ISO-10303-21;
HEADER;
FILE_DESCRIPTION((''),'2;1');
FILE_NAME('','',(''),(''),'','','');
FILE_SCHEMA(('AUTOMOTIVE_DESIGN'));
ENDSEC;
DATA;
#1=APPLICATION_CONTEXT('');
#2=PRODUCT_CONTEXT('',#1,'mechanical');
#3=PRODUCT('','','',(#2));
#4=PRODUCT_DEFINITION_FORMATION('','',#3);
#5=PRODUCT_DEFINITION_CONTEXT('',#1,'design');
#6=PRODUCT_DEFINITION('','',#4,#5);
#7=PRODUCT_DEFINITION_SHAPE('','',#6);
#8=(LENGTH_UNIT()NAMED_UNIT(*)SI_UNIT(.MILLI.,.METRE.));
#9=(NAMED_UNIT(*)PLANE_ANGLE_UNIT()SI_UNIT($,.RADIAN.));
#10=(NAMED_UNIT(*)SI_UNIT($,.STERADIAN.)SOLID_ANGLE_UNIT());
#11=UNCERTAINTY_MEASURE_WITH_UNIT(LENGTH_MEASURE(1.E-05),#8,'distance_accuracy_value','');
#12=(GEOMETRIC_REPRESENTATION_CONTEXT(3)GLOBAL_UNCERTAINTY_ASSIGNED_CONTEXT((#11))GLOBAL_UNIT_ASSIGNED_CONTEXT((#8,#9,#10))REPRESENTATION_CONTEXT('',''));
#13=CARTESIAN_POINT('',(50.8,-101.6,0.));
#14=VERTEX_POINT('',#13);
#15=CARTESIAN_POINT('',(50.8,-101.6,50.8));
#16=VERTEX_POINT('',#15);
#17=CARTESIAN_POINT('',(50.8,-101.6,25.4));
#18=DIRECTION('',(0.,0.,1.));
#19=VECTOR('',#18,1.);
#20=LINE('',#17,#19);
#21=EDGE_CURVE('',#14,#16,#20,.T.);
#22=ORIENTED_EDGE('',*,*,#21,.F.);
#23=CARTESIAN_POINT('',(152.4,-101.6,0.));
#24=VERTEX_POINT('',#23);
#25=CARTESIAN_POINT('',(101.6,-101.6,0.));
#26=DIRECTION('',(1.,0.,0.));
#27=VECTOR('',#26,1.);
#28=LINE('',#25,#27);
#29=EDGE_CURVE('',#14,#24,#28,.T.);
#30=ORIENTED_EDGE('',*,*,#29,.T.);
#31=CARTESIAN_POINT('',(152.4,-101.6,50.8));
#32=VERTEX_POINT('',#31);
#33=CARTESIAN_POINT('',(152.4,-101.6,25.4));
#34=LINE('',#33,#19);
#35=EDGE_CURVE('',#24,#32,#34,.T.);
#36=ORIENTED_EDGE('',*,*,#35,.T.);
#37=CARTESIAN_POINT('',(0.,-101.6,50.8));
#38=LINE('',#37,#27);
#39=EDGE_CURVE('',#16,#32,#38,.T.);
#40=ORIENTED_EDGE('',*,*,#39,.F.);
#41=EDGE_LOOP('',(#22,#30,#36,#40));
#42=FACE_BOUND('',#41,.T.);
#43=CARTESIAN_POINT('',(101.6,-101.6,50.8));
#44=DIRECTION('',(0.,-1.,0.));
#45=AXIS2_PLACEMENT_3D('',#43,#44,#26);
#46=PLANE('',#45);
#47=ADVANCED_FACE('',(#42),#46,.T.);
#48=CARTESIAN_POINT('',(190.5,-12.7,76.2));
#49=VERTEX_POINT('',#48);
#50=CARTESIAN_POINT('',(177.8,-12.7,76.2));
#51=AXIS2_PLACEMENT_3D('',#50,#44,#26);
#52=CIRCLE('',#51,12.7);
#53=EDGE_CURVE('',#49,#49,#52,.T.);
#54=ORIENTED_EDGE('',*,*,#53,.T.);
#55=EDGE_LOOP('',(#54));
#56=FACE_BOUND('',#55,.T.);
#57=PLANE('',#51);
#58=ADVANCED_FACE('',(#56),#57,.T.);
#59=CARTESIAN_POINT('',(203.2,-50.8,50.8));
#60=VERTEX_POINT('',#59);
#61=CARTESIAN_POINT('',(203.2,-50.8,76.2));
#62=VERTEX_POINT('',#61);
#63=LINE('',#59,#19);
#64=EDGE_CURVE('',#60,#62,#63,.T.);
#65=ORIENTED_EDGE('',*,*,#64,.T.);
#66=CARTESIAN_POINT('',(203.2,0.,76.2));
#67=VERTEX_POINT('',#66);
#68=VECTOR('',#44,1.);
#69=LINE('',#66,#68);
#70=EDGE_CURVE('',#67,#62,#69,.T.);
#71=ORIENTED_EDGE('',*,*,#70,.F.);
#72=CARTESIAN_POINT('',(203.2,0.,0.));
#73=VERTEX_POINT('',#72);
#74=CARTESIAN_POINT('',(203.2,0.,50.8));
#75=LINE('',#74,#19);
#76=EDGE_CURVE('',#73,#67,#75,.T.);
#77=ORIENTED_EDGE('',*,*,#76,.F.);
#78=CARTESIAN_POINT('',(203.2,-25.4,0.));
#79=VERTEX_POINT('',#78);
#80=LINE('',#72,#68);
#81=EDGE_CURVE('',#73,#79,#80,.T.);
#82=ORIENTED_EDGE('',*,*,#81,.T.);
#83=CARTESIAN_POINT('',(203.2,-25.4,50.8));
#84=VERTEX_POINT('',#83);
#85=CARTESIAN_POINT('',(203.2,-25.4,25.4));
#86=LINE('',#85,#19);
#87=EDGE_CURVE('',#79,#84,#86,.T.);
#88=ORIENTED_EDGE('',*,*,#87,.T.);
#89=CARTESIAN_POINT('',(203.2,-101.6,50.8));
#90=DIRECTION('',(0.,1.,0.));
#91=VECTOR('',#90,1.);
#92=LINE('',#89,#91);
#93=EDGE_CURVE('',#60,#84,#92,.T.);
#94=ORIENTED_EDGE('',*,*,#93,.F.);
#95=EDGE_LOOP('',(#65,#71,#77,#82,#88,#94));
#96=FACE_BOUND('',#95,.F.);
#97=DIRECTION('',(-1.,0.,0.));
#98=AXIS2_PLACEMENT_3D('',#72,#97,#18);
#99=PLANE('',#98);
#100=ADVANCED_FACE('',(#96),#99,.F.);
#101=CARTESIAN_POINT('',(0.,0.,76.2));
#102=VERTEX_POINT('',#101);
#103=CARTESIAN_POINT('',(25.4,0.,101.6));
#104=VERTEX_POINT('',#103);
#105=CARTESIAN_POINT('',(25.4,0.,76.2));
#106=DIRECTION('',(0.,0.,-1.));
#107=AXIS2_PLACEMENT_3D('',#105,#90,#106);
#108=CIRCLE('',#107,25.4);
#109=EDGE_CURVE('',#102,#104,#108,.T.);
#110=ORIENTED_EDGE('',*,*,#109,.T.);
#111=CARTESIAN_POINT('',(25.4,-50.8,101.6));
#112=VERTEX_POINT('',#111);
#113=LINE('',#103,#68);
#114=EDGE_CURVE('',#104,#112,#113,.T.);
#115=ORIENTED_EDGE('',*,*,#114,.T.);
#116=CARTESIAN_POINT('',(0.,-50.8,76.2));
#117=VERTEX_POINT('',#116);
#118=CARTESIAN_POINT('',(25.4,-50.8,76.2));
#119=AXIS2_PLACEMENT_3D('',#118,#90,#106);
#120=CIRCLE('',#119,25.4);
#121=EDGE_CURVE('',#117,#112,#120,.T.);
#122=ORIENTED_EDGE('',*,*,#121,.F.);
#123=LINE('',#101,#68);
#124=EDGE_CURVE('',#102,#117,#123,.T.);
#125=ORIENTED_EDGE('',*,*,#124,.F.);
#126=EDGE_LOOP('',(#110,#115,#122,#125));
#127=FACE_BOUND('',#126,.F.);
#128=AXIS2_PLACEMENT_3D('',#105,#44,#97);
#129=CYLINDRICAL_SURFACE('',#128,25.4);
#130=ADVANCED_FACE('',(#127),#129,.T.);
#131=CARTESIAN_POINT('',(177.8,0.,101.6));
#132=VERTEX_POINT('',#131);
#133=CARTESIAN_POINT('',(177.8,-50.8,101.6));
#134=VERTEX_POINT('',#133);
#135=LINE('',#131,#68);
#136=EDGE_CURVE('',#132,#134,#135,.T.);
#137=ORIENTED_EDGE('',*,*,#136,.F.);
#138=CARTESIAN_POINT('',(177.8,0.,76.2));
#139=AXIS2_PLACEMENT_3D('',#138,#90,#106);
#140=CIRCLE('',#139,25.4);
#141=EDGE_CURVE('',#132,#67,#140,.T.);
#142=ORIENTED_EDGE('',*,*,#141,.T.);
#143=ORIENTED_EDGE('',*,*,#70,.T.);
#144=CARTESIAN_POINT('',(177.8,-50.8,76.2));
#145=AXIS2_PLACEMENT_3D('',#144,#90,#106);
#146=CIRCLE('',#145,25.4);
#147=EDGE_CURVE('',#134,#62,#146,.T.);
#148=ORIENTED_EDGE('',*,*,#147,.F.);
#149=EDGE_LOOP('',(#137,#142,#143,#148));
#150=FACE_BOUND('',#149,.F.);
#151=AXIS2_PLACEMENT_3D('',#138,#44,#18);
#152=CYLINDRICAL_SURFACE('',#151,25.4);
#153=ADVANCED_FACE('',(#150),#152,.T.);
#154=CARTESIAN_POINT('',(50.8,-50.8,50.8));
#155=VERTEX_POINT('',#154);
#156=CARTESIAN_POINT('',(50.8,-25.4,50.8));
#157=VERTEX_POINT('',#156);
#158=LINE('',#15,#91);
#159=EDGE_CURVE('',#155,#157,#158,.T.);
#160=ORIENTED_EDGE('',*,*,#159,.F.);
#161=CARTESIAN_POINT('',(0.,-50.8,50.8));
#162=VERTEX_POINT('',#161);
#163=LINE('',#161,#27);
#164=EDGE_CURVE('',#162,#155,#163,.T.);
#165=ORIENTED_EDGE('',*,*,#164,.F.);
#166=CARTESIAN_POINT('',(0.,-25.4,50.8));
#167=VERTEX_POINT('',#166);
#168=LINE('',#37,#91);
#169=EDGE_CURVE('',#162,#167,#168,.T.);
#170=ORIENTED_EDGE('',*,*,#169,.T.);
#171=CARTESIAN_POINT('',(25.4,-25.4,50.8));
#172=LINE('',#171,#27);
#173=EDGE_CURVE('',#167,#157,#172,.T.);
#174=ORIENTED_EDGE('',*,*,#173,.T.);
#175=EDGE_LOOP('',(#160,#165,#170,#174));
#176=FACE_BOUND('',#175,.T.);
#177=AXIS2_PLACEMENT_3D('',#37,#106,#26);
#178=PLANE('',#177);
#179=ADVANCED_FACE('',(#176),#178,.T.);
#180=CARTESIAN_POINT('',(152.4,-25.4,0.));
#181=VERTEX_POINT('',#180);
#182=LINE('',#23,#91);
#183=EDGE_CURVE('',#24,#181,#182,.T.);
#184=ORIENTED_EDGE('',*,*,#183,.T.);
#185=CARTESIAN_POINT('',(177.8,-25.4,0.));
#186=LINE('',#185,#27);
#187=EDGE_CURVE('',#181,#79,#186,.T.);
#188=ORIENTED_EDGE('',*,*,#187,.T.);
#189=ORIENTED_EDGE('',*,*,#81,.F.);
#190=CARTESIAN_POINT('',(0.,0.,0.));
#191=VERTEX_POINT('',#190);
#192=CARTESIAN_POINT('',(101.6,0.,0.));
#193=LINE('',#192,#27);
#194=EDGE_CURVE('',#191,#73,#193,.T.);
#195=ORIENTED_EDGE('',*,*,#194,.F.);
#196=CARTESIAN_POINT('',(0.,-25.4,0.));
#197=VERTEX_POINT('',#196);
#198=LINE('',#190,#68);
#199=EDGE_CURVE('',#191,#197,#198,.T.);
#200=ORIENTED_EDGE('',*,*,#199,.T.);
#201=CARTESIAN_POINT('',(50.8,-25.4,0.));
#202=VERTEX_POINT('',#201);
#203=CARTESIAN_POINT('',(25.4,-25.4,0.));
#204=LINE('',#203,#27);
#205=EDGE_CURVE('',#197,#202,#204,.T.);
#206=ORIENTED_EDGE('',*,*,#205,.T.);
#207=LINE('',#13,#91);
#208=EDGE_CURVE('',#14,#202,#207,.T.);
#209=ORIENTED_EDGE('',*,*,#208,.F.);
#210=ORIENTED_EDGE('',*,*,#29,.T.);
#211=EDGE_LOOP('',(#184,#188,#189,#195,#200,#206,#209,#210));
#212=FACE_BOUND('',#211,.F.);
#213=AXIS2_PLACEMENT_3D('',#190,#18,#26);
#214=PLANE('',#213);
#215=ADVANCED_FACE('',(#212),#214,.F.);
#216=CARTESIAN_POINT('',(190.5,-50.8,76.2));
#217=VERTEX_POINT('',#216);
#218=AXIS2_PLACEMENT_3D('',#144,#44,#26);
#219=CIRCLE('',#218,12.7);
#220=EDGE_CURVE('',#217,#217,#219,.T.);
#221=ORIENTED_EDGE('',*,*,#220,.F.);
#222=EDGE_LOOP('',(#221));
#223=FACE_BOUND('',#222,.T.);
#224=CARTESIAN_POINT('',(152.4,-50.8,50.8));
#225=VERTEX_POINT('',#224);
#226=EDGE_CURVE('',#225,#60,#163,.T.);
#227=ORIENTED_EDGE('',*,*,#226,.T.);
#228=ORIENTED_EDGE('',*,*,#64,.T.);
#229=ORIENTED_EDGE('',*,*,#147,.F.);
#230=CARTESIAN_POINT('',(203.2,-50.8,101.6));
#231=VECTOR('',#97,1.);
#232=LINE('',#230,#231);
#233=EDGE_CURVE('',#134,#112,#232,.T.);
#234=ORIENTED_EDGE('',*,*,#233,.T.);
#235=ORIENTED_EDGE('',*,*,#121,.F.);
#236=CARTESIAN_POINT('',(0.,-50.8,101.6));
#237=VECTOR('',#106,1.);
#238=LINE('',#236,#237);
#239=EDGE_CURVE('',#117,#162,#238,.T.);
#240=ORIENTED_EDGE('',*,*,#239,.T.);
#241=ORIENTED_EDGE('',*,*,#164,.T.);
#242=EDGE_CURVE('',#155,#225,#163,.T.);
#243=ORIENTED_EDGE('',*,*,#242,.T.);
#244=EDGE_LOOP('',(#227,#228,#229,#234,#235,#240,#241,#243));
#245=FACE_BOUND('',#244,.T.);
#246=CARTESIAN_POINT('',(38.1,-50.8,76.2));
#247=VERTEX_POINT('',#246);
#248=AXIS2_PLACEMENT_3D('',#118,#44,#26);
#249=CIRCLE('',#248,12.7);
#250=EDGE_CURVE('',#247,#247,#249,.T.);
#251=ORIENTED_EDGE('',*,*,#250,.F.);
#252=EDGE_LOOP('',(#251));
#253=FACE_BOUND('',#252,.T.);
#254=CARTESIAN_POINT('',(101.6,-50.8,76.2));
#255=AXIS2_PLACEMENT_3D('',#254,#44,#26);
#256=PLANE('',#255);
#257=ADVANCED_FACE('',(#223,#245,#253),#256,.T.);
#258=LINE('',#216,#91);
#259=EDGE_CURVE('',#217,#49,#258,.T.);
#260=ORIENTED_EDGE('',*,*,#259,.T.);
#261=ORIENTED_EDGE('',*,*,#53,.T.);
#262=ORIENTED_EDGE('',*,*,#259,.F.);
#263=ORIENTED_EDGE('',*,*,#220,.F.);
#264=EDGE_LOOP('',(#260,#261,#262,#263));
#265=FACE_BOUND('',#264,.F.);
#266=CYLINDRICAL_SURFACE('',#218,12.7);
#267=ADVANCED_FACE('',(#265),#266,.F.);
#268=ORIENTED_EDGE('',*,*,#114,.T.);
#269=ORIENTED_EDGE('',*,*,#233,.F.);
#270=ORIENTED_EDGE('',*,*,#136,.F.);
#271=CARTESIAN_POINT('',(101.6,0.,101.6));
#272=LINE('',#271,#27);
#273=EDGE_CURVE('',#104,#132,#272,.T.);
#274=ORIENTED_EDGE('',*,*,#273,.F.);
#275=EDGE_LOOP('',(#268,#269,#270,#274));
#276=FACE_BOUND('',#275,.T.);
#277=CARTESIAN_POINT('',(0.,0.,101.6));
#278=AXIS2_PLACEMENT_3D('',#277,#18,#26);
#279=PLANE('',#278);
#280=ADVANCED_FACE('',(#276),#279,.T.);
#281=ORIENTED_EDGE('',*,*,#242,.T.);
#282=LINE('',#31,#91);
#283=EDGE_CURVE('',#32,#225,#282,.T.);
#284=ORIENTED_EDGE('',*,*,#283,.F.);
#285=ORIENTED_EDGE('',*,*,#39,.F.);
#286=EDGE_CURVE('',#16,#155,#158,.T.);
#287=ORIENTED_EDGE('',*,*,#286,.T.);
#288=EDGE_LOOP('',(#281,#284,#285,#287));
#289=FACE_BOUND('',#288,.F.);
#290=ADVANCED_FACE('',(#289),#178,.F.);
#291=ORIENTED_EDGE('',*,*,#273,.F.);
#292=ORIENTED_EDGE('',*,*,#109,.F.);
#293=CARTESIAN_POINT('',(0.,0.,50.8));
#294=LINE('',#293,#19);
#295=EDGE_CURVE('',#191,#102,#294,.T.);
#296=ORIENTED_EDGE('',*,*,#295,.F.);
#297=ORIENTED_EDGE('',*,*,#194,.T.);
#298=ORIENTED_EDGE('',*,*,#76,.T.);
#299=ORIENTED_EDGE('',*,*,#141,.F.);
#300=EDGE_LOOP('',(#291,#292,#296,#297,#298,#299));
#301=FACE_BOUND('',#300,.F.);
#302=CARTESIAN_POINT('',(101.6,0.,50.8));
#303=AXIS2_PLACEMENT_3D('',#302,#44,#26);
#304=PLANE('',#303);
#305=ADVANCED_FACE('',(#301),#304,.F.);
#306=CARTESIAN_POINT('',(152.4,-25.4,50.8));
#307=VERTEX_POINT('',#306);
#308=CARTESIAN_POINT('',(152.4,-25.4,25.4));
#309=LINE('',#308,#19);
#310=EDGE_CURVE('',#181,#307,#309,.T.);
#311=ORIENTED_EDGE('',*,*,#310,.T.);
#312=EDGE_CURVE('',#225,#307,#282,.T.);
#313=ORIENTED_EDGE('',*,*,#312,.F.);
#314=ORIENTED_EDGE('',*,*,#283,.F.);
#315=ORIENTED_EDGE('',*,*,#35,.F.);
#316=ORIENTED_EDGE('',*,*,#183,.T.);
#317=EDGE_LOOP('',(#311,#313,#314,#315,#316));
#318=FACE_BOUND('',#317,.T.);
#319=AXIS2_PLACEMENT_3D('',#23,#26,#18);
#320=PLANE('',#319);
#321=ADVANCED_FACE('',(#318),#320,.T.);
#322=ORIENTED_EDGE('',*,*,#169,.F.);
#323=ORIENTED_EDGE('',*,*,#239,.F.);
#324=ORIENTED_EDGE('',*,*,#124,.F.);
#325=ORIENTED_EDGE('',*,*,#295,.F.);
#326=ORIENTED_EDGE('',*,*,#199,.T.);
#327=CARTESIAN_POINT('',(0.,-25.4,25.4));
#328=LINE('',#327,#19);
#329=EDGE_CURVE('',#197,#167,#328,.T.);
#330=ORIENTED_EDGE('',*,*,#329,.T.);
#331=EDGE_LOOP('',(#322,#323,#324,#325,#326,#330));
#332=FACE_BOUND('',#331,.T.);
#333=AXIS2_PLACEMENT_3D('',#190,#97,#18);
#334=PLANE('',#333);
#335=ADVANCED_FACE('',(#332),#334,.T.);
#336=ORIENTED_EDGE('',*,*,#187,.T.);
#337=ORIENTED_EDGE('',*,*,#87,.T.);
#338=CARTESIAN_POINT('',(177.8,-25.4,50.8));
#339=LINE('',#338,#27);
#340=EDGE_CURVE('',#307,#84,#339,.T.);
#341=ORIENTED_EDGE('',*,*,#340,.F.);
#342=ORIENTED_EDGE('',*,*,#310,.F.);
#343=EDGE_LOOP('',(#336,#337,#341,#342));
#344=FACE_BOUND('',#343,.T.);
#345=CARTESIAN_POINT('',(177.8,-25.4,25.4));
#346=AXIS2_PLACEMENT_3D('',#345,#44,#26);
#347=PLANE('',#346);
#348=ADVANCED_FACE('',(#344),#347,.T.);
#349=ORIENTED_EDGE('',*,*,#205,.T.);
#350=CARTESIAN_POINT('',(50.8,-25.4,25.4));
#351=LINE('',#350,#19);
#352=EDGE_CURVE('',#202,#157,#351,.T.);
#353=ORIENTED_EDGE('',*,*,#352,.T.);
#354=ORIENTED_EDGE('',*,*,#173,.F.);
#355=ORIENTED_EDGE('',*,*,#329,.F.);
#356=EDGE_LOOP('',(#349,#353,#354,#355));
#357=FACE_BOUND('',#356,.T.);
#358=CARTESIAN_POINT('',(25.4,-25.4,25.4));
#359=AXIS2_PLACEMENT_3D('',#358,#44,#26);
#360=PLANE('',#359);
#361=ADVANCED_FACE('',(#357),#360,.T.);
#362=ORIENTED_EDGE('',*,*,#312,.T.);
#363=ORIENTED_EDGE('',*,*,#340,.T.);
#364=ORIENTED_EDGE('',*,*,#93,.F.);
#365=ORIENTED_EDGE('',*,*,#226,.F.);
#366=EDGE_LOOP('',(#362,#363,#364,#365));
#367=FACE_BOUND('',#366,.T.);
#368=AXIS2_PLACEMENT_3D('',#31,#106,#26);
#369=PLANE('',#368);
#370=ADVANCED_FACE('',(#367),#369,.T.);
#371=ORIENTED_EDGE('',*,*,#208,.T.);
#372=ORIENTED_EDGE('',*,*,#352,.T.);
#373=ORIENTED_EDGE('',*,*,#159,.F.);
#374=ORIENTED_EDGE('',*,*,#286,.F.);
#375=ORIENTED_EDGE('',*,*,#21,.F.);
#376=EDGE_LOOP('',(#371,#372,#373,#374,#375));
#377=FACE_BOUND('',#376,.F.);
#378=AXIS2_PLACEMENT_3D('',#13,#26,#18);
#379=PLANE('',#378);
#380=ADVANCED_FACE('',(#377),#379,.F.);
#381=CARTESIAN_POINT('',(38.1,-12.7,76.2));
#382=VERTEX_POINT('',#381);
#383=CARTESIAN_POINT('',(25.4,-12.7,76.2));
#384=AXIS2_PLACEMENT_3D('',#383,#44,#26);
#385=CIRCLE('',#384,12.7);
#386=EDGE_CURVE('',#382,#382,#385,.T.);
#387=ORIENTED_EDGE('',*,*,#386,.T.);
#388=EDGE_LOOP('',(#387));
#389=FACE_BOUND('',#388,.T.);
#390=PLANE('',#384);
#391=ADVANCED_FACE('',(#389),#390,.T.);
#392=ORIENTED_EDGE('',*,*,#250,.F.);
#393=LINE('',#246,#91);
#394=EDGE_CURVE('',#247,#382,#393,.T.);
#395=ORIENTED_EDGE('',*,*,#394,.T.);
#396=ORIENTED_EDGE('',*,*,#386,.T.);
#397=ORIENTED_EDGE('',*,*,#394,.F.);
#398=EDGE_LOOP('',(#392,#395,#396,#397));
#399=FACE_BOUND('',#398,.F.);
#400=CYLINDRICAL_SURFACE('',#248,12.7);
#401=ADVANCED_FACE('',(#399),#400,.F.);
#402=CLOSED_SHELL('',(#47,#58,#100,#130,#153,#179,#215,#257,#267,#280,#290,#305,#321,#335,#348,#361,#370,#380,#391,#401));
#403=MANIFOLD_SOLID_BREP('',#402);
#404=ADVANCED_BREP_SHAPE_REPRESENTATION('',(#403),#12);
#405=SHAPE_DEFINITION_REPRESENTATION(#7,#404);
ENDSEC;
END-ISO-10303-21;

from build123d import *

# Parameters (mm, degrees)
F0_W     = 203.2
F0_H     = 101.6
F1_DEPTH = 101.6
F2_W     = 50.8
F2_H     = 50.8
F3_DEPTH = 76.2
F5_DEPTH = 50.8
F6_R     = 25.4
F7_R     = 12.7
F8_DEPTH = 38.1


with BuildPart() as f1:
    # F0 (on Front) → F1 (new body)
    with BuildSketch(Plane.XZ):
        with Locations((101.6, 50.8)):
            Rectangle(F0_W, F0_H)
    extrude(amount=F1_DEPTH)

    # F2 (on face) → F3 (cut)
    with BuildSketch(Plane.XZ.offset(101.6)):
        with Locations((25.4, 25.4)):
            Rectangle(F2_W, F2_H)
        with Locations((177.8, 25.4)):
            Rectangle(F2_W, F2_H)
    extrude(amount=-F3_DEPTH, mode=Mode.SUBTRACT)

    # F4 (on face) → F5 (cut)
    with BuildSketch(Plane.XZ.offset(101.6)):
        Polygon((0, 50.8), (50.8, 50.8), (152.4, 50.8), (203.2, 50.8), (203.2, 101.6), (0, 101.6), align=None)
    extrude(amount=-F5_DEPTH, mode=Mode.SUBTRACT)

    # F6
    f6_edges = [f1.edges().sort_by_distance(p)[0] for p in [
        (203.2, -25.4, 101.6),
        (0, -25.4, 101.6),
    ]]
    fillet(f6_edges, radius=F6_R)

    # F7 (on face) → F8 (cut)
    with BuildSketch(Plane.XZ.offset(50.8)):
        with Locations((25.4, 76.2)):
            Circle(F7_R)
        with Locations((177.8, 76.2)):
            Circle(F7_R)
    extrude(amount=-F8_DEPTH, mode=Mode.SUBTRACT)


solid = f1.part
